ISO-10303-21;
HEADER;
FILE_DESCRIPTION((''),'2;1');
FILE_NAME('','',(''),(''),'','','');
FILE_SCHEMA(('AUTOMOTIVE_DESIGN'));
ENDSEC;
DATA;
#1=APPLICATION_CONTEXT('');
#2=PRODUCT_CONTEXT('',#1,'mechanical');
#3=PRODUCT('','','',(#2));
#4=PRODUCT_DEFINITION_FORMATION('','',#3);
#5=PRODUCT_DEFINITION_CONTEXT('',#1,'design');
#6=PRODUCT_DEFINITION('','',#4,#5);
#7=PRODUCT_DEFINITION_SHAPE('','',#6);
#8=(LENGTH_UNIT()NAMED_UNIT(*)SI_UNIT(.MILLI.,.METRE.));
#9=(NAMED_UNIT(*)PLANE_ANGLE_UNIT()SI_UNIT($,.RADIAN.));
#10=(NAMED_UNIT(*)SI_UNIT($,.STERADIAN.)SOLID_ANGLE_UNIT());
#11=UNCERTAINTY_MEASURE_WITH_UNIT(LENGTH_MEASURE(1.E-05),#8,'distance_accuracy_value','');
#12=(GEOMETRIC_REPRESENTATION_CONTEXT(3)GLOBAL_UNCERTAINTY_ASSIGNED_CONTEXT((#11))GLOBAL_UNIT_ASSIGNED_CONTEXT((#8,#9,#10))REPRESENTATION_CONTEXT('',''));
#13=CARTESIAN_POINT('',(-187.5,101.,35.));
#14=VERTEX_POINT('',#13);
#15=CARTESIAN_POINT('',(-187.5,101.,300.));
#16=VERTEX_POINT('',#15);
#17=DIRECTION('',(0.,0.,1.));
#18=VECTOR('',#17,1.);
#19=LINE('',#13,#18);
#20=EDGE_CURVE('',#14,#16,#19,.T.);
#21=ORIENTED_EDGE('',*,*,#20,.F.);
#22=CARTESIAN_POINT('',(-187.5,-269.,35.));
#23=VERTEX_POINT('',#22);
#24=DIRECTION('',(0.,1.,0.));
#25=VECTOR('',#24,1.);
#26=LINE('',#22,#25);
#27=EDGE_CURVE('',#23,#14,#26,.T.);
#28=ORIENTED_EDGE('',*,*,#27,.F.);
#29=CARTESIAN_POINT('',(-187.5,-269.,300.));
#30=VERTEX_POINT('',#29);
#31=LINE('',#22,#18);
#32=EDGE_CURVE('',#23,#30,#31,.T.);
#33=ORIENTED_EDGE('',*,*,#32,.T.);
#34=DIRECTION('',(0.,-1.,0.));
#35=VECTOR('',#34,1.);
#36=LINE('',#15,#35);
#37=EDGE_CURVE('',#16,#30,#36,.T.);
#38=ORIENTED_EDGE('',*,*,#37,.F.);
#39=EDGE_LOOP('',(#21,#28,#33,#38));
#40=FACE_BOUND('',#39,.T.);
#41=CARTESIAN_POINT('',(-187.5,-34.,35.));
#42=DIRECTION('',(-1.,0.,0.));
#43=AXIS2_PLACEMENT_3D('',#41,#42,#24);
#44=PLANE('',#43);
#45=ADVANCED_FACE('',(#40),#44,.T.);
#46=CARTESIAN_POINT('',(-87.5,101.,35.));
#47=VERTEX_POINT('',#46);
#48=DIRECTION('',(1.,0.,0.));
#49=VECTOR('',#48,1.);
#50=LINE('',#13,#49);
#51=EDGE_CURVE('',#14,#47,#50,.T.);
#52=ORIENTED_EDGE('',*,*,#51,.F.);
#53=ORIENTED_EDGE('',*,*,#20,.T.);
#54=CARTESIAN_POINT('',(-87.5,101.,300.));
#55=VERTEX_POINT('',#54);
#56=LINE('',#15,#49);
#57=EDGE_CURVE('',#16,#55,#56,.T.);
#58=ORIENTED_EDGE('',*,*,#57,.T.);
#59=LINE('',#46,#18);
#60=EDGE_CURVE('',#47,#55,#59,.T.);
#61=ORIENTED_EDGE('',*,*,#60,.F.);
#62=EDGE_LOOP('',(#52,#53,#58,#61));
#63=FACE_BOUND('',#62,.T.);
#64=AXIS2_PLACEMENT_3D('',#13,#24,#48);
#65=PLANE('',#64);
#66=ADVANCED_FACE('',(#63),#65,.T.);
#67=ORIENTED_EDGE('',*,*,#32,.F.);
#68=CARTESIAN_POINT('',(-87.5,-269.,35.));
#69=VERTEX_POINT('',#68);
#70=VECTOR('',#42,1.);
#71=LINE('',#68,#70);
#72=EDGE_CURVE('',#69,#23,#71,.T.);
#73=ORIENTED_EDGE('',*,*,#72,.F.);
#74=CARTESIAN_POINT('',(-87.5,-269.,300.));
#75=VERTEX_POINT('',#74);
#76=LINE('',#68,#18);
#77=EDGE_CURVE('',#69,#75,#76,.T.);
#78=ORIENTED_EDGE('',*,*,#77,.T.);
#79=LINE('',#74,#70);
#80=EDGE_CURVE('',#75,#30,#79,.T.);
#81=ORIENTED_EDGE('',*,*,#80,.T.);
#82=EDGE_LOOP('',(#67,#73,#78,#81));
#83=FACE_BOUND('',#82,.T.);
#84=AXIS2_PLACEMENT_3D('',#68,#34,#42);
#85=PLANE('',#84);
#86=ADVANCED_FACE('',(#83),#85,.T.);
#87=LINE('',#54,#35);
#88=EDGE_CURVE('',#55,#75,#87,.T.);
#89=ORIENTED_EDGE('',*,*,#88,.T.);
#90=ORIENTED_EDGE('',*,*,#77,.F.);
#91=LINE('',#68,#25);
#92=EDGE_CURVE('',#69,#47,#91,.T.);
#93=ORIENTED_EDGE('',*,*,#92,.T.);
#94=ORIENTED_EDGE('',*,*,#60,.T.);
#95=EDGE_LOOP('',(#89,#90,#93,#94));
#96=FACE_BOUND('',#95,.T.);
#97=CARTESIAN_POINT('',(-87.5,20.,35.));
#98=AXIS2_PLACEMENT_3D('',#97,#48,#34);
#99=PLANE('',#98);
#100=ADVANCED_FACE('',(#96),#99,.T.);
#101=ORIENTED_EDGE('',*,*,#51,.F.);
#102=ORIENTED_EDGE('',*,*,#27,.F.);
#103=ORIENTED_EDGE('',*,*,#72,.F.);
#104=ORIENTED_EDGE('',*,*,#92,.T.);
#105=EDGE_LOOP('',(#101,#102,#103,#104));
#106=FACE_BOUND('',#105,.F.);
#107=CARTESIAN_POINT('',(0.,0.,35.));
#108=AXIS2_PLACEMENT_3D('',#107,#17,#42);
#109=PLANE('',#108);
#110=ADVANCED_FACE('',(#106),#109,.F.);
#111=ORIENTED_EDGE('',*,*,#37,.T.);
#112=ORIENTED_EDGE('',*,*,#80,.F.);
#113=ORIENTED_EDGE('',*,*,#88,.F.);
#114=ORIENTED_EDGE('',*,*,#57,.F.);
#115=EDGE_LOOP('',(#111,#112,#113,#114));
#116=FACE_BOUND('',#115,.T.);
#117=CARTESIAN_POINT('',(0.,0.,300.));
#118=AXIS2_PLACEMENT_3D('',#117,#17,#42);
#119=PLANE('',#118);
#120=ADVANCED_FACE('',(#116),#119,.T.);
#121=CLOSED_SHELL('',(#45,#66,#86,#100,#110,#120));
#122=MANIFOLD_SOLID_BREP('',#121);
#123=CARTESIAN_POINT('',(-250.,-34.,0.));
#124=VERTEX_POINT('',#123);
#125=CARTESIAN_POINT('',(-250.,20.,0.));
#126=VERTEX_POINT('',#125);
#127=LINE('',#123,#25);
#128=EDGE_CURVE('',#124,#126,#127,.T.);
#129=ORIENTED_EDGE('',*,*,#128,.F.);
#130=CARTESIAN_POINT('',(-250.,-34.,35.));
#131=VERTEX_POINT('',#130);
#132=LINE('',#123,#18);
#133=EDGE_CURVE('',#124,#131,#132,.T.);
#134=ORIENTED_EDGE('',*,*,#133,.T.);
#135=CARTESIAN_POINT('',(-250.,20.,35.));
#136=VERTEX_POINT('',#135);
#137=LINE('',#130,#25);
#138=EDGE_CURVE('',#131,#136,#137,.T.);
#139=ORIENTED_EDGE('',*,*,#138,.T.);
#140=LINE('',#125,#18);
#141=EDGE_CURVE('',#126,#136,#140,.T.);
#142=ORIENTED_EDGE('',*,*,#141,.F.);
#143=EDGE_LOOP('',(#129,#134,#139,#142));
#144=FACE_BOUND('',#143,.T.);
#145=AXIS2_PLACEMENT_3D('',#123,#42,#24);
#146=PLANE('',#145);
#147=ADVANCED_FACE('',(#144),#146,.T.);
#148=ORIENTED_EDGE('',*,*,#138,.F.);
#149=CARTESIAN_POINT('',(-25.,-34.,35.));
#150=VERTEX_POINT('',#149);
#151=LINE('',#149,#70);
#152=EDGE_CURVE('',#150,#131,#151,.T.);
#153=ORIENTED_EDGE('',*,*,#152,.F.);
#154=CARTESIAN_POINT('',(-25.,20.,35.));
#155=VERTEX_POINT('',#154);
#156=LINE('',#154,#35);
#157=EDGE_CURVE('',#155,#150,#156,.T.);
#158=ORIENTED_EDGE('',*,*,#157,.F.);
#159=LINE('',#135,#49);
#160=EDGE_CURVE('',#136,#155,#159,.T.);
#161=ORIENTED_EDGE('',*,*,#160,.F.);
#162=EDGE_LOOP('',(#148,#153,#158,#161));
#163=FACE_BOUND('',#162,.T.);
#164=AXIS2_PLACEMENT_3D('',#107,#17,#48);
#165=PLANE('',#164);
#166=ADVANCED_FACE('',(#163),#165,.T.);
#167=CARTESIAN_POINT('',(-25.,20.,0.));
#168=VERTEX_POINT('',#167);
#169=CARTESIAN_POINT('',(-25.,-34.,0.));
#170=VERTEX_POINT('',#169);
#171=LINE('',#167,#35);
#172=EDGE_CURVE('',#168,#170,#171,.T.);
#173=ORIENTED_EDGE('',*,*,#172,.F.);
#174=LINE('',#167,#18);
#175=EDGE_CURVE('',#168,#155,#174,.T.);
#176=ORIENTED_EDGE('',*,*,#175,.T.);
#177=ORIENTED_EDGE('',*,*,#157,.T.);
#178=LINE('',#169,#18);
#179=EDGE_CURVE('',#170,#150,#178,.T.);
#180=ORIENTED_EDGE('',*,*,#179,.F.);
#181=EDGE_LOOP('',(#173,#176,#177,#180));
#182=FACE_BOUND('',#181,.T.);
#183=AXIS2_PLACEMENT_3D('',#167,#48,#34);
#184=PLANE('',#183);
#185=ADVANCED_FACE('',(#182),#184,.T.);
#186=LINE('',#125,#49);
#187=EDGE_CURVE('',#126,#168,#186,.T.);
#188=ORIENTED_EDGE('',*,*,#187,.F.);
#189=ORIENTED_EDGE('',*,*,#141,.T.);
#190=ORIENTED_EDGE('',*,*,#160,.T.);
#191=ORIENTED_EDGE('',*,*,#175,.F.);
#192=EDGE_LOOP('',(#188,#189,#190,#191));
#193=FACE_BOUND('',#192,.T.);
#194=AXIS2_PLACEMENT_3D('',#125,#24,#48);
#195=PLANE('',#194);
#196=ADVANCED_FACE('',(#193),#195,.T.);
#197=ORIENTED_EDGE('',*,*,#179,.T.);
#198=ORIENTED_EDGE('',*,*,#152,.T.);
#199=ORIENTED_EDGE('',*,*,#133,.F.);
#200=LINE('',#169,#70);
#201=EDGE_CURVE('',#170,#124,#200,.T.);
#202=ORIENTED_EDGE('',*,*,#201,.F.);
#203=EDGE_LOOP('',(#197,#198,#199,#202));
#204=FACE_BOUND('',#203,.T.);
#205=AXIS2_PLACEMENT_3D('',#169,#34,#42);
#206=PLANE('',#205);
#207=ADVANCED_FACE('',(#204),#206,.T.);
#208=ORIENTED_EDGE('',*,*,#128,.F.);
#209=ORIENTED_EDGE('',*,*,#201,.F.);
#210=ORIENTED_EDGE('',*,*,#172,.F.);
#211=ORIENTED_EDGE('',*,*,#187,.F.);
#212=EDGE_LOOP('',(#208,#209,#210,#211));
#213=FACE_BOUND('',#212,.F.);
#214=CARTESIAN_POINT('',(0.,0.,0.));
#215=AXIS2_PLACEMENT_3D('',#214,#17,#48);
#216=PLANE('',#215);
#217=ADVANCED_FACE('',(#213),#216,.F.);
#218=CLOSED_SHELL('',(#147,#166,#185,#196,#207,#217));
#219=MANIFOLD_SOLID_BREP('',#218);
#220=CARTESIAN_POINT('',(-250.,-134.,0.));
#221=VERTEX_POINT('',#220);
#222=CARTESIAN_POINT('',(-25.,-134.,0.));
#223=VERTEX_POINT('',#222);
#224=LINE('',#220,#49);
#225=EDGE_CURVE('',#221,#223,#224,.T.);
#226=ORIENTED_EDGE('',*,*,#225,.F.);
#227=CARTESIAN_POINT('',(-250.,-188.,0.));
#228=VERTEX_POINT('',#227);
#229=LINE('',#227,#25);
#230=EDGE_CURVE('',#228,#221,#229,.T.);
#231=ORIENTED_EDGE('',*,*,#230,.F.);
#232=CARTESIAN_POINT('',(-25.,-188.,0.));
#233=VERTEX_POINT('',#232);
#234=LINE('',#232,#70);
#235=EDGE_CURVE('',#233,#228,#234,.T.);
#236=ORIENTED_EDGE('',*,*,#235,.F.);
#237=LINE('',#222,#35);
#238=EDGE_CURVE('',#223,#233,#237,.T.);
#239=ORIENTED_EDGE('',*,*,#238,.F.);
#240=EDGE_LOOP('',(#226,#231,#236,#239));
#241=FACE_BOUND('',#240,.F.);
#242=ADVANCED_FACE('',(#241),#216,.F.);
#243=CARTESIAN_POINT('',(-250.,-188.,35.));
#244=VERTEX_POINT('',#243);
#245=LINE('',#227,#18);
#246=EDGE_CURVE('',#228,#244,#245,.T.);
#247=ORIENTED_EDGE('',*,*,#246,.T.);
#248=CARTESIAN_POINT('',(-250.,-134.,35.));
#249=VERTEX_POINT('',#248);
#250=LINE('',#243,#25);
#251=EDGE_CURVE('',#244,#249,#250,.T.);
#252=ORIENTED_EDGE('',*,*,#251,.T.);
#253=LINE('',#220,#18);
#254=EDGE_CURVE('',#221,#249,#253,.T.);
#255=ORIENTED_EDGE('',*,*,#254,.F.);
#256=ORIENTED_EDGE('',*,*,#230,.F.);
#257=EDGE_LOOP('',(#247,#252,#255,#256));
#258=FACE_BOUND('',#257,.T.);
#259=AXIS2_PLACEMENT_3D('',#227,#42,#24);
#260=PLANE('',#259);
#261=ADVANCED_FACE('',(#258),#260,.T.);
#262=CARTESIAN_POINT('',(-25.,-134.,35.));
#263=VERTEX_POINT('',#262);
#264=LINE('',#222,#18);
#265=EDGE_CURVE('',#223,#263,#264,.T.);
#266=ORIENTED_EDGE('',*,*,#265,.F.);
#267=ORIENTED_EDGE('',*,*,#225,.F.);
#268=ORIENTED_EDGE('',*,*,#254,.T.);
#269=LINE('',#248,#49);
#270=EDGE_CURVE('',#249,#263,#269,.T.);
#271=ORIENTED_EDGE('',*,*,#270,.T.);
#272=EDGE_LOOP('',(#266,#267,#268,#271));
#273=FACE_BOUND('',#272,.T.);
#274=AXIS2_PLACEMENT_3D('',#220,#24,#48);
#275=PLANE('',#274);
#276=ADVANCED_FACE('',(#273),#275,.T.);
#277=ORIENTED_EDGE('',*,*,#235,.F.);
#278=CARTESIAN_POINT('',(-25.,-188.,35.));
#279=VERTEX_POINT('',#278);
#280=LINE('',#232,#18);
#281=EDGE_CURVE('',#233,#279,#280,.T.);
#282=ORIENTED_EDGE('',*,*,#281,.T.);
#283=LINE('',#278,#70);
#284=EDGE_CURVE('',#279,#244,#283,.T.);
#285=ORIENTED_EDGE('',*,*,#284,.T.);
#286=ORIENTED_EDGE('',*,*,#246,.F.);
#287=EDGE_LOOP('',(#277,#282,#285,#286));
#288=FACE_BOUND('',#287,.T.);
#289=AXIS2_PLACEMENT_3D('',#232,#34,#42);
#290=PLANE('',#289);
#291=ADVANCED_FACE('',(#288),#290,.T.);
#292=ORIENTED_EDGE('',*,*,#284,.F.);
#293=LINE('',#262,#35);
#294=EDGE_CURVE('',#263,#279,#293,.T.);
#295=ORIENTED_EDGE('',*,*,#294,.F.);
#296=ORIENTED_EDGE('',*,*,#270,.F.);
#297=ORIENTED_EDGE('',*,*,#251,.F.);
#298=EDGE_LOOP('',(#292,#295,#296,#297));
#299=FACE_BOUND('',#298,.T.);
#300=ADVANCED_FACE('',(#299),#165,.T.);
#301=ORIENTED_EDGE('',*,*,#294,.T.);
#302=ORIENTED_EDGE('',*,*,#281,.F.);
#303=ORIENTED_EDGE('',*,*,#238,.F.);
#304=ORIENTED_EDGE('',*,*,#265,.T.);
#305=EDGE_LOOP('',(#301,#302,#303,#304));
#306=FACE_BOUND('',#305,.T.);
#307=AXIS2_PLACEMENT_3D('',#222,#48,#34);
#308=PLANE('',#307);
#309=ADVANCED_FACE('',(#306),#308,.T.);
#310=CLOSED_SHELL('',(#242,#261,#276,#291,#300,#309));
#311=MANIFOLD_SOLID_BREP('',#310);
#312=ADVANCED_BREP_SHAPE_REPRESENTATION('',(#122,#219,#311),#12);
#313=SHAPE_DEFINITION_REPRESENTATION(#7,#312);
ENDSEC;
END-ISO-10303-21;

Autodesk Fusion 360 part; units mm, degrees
sketch "Skizze1" plane through (0, 0, 0) normal (0, 0, 1) x (1, 0, 0)
  line L0 (-250, 20) -> (-25, 20)
  line L1 (-25, 20) -> (-25, -34)
  line L2 (-25, -34) -> (-250, -34)
  line L3 (-250, -34) -> (-250, 20)
  line L4 (-250, 20) -> (-25, 20)
  line L5 (-25, -34) -> (-250, -34)
  line L6 (-250, -34) -> (-250, 20)
  line L7 (-25, 20) -> (-25, -34)
  line L8 (-25, -188) -> (-250, -188)
  line L9 (-25, -134) -> (-25, -188)
  line L10 (-250, -188) -> (-250, -134)
  line L11 (-250, -134) -> (-25, -134)
  dimension "d3" = 225
  dimension "d4" = 54
  dimension "d5" = 225
  dimension "d6" = 54
  dimension "d9" = 225
  dimension "d10" = 54
  dimension "d11" = 100
extrude "Extrusion1" add sketch "Skizze1" along normal blind 35 makes body 1 at (-175, 2, 0) makes body 2 at (-100, -170, 0)
sketch "Skizze2" plane through (0, 0, 35) normal (0, 0, 1) x (-1, 0, 0)
  line L0 (25, -20) -> (250, -20)
  line L1 (250, -20) -> (250, 34)
  line L2 (250, 34) -> (25, 34)
  line L3 (25, 34) -> (25, -20)
  line L4 (187.5, -101) -> (87.5, -101)
  line L5 (87.5, -101) -> (87.5, 269)
  line L6 (87.5, 269) -> (187.5, 269)
  line L7 (187.5, 269) -> (187.5, -101)
  line L8 (25, 134) -> (25, 188)
  line L9 (250, 188) -> (250, 134)
  line L10 (25, 188) -> (250, 188)
  line L11 (250, -20) -> (25, -20)
  dimension "d14" = 100
  dimension "d15" = 370
  dimension "d18" = 81
  dimension "d19" = 81
  dimension "d20" = 62.5
  dimension "d21" = 62.5
extrude "Extrusion2" add sketch "Skizze2" along normal blind 265 separate body contours L0 L2 L5 L7 L11 | L0 L4 L5 L7 L11 | L2 L5 L7 L10 | L5 L6 L7 L10 makes body 3
